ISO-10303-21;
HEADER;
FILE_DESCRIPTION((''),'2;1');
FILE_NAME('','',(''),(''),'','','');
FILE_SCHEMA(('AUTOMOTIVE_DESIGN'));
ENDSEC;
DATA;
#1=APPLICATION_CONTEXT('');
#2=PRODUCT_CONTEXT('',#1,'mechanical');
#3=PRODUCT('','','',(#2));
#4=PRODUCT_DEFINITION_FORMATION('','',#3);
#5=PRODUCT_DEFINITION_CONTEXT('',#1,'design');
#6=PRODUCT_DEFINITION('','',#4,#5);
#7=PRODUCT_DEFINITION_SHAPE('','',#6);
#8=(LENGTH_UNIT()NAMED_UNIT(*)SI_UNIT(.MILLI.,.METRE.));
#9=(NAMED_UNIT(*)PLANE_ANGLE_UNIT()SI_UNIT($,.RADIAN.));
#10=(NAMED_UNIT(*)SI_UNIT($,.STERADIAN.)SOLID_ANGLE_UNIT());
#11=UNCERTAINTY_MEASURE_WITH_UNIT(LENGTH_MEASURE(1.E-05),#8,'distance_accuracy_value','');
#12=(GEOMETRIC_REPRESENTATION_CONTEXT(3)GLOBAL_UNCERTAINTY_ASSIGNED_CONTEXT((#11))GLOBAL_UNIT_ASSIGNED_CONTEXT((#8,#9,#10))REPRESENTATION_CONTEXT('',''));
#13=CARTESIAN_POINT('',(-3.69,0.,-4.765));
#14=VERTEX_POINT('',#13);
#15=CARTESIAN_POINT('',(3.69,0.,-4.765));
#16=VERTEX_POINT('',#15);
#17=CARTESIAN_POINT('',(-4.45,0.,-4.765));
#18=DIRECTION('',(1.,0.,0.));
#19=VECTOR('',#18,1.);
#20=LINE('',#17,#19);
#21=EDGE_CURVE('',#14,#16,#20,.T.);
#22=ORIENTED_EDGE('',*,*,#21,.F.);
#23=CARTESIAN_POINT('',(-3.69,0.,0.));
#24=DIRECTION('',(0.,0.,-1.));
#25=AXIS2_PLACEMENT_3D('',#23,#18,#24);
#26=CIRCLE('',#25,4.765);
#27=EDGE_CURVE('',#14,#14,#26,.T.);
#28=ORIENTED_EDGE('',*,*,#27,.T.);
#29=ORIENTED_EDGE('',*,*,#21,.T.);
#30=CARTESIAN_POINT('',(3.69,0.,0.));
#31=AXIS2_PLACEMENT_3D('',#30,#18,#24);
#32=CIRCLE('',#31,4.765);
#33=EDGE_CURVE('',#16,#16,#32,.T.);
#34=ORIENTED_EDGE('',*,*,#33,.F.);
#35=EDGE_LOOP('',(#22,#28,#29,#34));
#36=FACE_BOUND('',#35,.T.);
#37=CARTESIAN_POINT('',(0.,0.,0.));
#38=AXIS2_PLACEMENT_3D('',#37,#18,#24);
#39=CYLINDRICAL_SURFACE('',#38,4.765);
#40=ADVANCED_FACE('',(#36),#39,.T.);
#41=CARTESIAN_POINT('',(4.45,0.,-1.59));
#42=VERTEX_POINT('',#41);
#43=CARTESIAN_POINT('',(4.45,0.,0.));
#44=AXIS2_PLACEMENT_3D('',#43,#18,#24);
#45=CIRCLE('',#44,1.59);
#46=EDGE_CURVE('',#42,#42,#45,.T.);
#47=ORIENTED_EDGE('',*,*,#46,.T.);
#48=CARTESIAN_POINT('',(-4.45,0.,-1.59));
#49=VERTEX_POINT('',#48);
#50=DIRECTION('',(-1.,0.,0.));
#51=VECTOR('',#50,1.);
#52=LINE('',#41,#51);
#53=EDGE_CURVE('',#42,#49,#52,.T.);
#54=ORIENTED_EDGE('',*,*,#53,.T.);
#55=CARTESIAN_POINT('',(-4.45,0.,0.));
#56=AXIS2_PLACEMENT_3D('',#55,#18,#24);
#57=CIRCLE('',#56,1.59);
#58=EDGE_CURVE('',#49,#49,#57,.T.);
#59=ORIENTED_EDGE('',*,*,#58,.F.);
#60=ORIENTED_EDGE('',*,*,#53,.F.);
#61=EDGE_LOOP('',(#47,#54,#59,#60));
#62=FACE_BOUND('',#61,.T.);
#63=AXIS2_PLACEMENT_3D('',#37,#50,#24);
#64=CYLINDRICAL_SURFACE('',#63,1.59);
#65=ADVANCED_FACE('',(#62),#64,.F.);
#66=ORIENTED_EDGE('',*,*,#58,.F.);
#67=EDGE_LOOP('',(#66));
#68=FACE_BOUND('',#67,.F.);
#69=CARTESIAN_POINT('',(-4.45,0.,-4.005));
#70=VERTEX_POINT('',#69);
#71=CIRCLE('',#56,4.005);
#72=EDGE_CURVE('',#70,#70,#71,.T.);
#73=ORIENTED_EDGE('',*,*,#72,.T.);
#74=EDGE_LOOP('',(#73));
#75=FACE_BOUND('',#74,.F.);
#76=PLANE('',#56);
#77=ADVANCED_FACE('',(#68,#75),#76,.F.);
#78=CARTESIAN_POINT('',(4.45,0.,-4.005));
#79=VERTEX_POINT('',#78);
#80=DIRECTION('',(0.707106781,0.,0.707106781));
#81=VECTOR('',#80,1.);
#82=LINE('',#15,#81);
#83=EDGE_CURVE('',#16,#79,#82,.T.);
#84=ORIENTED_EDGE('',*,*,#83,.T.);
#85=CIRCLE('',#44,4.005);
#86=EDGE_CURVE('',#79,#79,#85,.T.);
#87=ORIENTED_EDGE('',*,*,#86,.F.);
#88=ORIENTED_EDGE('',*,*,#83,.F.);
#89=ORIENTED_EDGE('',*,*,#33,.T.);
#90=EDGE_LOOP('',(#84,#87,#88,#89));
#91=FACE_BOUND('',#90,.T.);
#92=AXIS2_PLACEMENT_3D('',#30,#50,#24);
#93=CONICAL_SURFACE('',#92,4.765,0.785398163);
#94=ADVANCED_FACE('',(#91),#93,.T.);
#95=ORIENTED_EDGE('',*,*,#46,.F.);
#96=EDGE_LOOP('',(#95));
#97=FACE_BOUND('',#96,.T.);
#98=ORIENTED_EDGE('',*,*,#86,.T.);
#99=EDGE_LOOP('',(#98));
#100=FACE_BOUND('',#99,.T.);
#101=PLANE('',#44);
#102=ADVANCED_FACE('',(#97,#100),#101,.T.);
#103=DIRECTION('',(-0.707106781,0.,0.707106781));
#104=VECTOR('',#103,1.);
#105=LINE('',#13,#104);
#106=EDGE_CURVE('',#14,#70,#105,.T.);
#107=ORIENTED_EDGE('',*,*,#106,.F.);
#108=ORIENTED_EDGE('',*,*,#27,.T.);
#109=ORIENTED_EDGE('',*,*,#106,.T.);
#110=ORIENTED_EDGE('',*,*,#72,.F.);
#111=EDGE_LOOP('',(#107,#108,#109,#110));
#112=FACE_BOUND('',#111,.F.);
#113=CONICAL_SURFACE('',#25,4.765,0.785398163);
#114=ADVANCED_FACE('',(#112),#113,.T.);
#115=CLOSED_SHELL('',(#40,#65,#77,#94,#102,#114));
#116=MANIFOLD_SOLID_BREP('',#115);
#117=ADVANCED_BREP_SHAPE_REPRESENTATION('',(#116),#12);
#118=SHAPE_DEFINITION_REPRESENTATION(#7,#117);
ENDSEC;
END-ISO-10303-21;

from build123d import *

# Parameters (mm, degrees)
CROQUIS1_R              = 4.765
CROQUIS1_R_2            = 1.59
SALIENTE_EXTRUIR1_DEPTH = 4.45
CHAFL_N1_SIZE           = 0.76


with BuildPart() as part:
    # Croquis1 → Saliente-Extruir1 (new body, symmetric)
    with BuildSketch(Plane(origin=(0, 0, 0), x_dir=(0, 0, -1), z_dir=(1, 0, 0))):
        Circle(CROQUIS1_R)
        Circle(CROQUIS1_R_2, mode=Mode.SUBTRACT)
    extrude(amount=SALIENTE_EXTRUIR1_DEPTH, both=True)

    # Chaflán1
    chafl_n1_edges = [part.edges().sort_by_distance(p)[0] for p in [
        (-4.45, 0, 4.765),
        (4.45, 0, 4.765),
    ]]
    chamfer(chafl_n1_edges, length=CHAFL_N1_SIZE)


solid = part.part
